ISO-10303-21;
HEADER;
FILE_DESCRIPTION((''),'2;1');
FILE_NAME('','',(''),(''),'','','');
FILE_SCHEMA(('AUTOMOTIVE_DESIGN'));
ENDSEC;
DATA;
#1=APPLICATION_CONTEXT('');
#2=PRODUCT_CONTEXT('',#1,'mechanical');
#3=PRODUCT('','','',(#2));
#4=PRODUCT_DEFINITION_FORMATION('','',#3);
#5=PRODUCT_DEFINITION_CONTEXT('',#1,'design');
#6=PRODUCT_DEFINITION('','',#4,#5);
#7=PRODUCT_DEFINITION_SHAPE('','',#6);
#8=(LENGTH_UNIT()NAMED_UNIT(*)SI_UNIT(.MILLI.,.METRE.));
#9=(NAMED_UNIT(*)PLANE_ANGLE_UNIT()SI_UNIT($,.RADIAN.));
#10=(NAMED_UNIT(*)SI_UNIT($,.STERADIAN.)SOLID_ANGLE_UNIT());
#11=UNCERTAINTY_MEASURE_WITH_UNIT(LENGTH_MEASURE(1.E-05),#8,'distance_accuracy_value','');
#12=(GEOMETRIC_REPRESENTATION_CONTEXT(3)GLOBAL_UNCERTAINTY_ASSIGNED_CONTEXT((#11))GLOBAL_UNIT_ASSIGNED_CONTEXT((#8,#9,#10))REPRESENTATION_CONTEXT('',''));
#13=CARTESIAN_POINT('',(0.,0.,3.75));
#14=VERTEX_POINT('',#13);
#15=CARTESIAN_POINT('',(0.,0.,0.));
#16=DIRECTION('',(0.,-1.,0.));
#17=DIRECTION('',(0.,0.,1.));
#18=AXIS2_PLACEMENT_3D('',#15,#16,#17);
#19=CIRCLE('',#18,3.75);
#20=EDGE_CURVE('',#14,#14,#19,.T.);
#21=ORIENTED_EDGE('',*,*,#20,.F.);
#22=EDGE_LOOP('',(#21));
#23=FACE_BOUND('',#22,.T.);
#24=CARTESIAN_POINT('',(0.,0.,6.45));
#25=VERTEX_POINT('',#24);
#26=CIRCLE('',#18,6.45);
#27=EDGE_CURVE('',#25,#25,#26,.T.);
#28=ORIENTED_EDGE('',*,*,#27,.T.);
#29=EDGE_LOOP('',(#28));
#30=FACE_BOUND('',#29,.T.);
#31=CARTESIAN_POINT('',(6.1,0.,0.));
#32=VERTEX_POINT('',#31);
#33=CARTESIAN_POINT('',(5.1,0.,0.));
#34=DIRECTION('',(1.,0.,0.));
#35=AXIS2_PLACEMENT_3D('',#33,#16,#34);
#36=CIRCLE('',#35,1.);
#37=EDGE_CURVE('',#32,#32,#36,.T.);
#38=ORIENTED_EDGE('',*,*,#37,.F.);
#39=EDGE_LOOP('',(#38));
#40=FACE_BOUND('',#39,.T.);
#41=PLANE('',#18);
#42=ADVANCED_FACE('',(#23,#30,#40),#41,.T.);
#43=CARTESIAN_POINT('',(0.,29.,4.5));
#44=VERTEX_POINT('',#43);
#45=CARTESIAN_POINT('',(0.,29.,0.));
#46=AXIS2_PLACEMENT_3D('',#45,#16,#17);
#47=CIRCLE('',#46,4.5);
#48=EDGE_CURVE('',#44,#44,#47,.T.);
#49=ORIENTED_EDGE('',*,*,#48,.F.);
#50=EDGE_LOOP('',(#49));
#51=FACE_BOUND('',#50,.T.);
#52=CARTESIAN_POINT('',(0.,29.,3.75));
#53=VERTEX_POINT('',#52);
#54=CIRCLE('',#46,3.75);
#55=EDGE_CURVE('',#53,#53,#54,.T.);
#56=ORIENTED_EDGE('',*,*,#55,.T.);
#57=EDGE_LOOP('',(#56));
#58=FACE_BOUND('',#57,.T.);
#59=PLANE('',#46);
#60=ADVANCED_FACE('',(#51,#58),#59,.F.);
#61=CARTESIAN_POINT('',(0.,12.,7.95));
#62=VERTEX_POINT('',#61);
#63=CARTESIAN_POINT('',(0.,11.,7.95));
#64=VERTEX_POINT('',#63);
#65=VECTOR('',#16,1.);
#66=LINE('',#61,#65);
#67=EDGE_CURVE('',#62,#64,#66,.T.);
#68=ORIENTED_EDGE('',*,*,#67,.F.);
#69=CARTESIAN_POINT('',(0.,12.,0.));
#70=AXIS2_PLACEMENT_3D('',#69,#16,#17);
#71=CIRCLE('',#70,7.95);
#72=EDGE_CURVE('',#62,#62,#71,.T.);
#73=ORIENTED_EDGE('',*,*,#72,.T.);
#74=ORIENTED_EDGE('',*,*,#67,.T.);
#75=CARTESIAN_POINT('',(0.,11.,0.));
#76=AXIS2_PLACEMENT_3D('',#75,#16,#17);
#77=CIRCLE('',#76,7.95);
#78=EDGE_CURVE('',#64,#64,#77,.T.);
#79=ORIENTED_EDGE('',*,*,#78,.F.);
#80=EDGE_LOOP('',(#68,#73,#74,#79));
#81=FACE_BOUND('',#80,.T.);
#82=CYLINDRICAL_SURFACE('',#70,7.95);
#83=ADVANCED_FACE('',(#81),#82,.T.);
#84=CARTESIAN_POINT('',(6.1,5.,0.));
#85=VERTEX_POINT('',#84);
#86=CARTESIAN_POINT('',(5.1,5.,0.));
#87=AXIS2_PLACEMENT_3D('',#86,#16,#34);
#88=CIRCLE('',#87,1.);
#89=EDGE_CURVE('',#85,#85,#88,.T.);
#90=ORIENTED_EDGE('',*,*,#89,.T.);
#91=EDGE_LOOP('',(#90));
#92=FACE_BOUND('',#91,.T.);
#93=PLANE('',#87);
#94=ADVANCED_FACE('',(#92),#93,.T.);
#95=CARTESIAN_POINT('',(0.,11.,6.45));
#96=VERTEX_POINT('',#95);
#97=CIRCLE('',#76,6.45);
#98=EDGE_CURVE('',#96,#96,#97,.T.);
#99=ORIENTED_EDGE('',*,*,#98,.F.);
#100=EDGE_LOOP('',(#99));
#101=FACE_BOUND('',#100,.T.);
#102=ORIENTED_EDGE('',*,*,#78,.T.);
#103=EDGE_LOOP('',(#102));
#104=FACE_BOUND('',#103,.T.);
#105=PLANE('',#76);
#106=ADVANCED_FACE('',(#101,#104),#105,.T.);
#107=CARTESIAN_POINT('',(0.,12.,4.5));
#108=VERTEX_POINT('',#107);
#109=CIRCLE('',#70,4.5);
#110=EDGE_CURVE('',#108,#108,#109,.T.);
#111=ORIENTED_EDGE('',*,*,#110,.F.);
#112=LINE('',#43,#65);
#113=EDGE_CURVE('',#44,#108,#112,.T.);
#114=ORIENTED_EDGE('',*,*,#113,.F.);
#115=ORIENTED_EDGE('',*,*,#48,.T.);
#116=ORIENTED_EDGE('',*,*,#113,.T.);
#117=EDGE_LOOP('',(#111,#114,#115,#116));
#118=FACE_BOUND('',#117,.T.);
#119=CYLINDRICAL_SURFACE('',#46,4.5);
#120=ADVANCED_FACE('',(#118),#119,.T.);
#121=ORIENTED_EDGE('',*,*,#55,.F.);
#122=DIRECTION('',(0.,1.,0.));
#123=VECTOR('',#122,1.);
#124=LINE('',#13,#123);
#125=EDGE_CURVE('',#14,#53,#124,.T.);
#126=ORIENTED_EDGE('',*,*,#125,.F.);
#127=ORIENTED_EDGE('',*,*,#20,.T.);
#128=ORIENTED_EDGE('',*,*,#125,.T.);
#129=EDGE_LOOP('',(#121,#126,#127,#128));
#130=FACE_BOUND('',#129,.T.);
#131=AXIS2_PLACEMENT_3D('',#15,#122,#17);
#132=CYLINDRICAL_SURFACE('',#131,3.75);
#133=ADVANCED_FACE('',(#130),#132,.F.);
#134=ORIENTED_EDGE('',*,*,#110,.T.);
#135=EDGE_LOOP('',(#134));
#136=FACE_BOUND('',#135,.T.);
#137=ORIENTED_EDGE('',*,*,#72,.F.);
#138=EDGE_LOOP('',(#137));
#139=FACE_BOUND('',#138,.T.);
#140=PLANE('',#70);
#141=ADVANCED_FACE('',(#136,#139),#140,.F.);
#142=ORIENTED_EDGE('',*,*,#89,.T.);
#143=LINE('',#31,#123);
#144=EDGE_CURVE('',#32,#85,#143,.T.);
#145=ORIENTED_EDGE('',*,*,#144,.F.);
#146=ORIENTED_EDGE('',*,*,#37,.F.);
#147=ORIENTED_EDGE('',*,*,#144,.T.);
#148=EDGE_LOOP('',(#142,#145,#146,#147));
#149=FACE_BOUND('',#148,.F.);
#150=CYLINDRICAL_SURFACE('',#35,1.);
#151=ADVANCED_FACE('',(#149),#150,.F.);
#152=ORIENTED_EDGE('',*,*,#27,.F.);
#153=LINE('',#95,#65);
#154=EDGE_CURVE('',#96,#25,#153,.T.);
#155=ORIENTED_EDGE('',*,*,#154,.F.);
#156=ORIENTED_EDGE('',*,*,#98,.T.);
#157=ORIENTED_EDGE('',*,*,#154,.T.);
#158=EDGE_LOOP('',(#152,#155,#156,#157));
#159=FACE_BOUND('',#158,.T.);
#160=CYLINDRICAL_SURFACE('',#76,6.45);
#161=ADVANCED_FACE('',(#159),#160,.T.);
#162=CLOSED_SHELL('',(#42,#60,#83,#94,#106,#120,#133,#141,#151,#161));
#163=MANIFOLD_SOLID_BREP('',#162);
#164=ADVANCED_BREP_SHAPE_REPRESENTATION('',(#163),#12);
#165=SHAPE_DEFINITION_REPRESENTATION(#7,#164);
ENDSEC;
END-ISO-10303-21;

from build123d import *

# Parameters (mm, degrees)
F2_R     = 1
F3_DEPTH = 5


with BuildPart() as f1:
    # F0 (on Right) → F1 (revolve)
    with BuildSketch(Plane.YZ):
        Polygon((0, 3.75), (29, 3.75), (29, 4.5), (12, 4.5), (12, 7.95), (11, 7.95), (11, 6.45), (0, 6.45), align=None)
    revolve(axis=Axis((0, 14.5, 0), (0, -1, 0)))

    # F2 (on face) → F3 (cut)
    with BuildSketch(Plane.XZ):
        with Locations((5.1, 0)):
            Circle(F2_R)
    extrude(amount=-F3_DEPTH, mode=Mode.SUBTRACT)


solid = f1.part
